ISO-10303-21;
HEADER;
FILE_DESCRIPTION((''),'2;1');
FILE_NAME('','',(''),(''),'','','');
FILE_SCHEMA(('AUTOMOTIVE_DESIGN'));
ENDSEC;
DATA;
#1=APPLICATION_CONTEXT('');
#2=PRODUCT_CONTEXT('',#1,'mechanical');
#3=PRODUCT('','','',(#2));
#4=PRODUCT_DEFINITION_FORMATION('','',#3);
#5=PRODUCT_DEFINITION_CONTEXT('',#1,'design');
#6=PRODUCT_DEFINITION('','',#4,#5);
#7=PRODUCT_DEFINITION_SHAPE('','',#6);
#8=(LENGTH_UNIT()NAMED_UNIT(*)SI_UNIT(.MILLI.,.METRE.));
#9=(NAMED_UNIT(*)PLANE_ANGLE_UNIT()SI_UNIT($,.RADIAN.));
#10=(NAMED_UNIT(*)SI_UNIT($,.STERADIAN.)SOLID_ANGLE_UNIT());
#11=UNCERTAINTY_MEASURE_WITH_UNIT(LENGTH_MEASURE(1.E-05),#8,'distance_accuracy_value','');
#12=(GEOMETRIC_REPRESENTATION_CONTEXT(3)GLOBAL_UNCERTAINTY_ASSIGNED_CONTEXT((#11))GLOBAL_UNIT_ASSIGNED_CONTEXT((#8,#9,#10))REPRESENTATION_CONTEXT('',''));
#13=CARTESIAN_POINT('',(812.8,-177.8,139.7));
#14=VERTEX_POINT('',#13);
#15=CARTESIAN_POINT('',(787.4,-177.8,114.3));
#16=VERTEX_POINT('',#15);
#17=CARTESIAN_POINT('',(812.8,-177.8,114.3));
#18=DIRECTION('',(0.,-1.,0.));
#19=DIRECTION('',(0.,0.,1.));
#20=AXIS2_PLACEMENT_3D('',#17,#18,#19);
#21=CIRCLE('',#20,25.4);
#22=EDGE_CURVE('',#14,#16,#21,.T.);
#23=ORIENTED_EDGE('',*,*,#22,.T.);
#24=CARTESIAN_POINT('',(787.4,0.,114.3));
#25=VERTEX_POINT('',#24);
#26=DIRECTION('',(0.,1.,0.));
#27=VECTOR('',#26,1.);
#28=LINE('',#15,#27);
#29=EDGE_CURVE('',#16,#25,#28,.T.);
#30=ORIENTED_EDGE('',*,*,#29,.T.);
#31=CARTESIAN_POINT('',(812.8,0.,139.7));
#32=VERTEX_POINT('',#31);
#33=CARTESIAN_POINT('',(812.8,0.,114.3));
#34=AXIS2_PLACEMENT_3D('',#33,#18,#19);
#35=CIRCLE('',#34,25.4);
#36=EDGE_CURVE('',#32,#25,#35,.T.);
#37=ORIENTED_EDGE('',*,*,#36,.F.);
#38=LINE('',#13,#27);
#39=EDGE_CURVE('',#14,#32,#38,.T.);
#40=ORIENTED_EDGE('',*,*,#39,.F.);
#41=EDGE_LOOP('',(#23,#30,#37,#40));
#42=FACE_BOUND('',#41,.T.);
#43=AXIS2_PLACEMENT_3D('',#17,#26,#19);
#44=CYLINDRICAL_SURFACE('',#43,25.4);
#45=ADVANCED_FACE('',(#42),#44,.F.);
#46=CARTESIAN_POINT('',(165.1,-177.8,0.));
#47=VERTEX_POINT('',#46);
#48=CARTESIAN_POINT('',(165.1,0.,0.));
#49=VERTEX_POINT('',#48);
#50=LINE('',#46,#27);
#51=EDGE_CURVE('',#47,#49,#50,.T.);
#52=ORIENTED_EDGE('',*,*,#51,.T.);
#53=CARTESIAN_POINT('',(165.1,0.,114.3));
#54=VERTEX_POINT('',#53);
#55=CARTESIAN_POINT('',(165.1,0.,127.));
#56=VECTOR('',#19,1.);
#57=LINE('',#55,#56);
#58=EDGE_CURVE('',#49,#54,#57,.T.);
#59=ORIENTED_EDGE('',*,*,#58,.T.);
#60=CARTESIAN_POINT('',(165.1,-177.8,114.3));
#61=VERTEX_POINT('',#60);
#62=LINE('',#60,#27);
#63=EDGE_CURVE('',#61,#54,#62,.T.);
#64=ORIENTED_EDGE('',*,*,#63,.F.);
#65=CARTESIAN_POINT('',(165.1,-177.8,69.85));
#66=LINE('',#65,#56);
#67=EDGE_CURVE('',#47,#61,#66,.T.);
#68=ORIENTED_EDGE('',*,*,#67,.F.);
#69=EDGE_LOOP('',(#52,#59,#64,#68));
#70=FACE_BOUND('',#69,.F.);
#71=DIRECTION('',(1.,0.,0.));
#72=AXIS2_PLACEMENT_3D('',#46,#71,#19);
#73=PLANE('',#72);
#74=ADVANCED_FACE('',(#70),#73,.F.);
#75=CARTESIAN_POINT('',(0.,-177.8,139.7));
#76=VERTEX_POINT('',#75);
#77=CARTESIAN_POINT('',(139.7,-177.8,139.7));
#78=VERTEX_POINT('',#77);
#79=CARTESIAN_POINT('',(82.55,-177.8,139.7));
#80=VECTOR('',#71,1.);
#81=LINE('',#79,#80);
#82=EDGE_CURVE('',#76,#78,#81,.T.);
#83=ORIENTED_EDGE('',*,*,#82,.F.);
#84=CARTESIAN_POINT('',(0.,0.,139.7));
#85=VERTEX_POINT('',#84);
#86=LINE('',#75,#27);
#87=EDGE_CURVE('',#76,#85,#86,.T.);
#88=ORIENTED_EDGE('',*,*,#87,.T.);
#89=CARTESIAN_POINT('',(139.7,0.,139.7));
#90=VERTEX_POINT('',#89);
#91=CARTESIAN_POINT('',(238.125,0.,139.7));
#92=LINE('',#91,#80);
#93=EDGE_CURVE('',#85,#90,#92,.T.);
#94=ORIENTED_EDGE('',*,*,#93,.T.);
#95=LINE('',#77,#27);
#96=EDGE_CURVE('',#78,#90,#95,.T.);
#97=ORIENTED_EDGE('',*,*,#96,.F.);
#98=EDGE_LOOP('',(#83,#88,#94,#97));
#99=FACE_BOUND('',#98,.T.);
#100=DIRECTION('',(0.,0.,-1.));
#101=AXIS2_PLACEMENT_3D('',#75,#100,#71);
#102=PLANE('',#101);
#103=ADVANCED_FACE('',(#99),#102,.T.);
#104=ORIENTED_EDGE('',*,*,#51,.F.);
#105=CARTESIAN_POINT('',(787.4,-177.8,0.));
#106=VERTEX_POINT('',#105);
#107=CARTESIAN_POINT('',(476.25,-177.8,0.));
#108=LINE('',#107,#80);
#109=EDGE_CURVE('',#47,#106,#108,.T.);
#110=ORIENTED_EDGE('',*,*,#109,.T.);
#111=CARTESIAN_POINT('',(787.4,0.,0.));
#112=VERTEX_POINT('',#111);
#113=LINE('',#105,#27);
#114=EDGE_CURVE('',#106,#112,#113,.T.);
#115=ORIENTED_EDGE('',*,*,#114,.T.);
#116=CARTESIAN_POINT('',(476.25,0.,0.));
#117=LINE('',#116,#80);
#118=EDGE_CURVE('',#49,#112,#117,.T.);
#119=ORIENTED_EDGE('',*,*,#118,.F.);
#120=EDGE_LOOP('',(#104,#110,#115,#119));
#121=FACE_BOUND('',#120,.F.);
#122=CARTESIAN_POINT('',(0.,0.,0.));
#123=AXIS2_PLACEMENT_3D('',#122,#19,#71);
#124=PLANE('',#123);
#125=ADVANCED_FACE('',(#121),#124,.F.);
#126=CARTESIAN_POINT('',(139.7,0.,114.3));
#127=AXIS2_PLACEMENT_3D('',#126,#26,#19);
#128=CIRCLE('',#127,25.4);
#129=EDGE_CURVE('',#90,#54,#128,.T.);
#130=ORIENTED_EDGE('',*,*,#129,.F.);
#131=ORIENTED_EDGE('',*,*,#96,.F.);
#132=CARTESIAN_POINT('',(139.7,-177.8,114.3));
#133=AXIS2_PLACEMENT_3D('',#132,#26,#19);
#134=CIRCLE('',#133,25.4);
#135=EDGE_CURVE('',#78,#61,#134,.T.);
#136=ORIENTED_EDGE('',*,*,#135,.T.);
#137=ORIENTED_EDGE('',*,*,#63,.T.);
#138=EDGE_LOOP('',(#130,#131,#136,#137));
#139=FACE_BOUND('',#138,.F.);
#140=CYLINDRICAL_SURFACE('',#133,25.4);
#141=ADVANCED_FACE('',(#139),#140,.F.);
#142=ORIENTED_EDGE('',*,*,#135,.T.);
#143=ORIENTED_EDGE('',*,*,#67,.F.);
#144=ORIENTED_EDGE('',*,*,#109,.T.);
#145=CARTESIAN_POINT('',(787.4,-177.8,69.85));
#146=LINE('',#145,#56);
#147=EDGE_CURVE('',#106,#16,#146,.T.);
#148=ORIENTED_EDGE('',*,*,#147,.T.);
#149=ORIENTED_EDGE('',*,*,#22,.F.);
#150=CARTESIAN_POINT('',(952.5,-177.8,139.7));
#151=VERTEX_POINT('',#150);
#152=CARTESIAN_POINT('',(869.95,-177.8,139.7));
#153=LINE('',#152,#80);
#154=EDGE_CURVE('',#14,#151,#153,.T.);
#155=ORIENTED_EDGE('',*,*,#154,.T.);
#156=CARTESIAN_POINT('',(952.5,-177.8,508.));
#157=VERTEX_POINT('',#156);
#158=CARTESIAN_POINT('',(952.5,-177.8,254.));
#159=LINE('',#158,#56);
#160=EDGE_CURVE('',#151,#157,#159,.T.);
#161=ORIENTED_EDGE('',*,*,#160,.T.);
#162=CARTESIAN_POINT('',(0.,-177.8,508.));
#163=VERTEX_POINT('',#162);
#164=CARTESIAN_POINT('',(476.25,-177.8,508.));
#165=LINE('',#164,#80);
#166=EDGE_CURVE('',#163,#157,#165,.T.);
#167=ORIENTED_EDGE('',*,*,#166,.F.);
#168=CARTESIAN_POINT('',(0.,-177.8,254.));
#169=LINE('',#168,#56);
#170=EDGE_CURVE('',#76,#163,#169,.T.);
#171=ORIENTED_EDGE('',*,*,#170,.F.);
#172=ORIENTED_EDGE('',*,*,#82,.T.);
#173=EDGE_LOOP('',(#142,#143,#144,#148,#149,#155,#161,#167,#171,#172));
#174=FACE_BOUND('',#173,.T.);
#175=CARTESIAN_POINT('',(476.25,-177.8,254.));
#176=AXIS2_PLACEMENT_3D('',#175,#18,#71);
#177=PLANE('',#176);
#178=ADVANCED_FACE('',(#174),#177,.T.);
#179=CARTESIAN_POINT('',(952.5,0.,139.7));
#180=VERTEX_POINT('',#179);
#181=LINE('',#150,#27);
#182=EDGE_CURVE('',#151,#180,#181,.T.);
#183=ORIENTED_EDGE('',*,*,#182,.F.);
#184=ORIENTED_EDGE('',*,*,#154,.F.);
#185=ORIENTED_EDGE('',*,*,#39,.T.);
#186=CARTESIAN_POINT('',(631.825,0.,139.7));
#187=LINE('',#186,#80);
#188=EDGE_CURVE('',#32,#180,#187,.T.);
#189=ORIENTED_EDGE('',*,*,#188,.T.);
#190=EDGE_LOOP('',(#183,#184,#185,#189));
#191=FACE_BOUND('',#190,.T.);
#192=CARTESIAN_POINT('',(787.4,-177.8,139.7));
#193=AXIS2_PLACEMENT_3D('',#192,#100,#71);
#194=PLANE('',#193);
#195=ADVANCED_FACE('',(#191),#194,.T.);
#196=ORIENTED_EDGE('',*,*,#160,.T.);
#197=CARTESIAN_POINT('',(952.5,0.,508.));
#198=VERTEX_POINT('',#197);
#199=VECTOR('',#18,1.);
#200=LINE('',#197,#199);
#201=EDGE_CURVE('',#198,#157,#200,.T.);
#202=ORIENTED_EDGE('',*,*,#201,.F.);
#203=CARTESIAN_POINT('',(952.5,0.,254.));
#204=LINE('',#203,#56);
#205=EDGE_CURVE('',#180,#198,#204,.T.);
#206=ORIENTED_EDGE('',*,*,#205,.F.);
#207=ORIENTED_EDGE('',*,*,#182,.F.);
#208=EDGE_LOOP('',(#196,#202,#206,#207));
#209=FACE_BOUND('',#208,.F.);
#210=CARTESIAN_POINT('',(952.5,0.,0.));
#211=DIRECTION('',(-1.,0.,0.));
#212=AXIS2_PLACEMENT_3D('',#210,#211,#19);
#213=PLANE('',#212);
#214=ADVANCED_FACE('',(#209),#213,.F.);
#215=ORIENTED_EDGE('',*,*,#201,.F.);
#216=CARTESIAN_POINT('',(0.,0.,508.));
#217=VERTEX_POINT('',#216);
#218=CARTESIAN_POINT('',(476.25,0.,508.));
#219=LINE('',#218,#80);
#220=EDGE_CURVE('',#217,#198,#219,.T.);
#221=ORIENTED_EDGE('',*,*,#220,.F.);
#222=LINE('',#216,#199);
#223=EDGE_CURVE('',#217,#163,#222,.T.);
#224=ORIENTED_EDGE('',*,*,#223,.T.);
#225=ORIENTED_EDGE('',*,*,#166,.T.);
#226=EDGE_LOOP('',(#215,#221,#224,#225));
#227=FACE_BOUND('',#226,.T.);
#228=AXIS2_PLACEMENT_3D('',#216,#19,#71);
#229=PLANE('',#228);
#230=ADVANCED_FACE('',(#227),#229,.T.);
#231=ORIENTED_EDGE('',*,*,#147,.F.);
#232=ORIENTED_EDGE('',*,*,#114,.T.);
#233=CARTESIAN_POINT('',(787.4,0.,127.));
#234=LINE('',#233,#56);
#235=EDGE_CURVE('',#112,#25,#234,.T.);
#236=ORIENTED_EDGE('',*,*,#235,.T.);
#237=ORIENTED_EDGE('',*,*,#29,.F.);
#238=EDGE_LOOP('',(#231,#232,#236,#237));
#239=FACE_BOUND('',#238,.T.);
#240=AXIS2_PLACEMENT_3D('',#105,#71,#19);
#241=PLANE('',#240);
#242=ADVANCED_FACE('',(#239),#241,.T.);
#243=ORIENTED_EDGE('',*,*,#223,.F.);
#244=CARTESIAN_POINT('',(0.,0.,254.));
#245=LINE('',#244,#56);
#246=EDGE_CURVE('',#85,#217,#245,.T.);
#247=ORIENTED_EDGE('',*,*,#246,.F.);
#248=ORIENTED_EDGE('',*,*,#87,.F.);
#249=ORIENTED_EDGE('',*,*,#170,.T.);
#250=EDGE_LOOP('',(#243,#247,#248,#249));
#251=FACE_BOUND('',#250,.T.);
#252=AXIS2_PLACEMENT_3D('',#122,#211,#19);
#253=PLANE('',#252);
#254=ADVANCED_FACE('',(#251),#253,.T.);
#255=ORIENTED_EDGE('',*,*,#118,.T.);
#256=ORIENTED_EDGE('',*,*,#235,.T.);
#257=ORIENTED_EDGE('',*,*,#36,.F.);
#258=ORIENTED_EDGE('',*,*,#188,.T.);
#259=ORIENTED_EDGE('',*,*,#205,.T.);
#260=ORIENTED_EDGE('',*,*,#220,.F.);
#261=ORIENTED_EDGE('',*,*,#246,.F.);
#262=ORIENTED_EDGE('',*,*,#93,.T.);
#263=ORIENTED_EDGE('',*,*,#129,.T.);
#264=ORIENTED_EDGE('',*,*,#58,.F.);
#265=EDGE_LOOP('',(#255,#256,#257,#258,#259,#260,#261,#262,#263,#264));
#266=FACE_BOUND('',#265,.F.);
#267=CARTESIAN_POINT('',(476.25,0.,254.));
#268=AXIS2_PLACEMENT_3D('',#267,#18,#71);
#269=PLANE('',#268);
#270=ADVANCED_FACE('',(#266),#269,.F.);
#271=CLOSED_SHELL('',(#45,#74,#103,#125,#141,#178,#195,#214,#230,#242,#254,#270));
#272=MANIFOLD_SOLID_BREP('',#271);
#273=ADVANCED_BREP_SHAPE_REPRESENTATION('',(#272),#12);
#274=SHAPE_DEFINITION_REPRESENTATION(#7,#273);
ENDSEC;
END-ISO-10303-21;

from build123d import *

# Parameters (mm, degrees)
F0_W     = 952.5
F0_H     = 508
F1_DEPTH = 177.8
F2_W     = 165.1
F2_H     = 139.7
F3_DEPTH = 177.801
F4_R     = 25.4


with BuildPart() as f1:
    # F0 (on Front) → F1 (new body)
    with BuildSketch(Plane.XZ):
        with Locations((476.25, 254)):
            Rectangle(F0_W, F0_H)
    extrude(amount=F1_DEPTH)

    # F2 (on face) → F3 (cut, through all)
    with BuildSketch(Plane.XZ.offset(177.8)):
        with Locations((82.55, 69.85)):
            Rectangle(F2_W, F2_H)
        with Locations((869.95, 69.85)):
            Rectangle(F2_W, F2_H)
    extrude(amount=-F3_DEPTH, mode=Mode.SUBTRACT)

    # F4
    f4_edges = [f1.edges().sort_by_distance(p)[0] for p in [
        (165.1, -88.9, 139.7),
        (787.4, -88.9, 139.7),
    ]]
    fillet(f4_edges, radius=F4_R)


solid = f1.part
